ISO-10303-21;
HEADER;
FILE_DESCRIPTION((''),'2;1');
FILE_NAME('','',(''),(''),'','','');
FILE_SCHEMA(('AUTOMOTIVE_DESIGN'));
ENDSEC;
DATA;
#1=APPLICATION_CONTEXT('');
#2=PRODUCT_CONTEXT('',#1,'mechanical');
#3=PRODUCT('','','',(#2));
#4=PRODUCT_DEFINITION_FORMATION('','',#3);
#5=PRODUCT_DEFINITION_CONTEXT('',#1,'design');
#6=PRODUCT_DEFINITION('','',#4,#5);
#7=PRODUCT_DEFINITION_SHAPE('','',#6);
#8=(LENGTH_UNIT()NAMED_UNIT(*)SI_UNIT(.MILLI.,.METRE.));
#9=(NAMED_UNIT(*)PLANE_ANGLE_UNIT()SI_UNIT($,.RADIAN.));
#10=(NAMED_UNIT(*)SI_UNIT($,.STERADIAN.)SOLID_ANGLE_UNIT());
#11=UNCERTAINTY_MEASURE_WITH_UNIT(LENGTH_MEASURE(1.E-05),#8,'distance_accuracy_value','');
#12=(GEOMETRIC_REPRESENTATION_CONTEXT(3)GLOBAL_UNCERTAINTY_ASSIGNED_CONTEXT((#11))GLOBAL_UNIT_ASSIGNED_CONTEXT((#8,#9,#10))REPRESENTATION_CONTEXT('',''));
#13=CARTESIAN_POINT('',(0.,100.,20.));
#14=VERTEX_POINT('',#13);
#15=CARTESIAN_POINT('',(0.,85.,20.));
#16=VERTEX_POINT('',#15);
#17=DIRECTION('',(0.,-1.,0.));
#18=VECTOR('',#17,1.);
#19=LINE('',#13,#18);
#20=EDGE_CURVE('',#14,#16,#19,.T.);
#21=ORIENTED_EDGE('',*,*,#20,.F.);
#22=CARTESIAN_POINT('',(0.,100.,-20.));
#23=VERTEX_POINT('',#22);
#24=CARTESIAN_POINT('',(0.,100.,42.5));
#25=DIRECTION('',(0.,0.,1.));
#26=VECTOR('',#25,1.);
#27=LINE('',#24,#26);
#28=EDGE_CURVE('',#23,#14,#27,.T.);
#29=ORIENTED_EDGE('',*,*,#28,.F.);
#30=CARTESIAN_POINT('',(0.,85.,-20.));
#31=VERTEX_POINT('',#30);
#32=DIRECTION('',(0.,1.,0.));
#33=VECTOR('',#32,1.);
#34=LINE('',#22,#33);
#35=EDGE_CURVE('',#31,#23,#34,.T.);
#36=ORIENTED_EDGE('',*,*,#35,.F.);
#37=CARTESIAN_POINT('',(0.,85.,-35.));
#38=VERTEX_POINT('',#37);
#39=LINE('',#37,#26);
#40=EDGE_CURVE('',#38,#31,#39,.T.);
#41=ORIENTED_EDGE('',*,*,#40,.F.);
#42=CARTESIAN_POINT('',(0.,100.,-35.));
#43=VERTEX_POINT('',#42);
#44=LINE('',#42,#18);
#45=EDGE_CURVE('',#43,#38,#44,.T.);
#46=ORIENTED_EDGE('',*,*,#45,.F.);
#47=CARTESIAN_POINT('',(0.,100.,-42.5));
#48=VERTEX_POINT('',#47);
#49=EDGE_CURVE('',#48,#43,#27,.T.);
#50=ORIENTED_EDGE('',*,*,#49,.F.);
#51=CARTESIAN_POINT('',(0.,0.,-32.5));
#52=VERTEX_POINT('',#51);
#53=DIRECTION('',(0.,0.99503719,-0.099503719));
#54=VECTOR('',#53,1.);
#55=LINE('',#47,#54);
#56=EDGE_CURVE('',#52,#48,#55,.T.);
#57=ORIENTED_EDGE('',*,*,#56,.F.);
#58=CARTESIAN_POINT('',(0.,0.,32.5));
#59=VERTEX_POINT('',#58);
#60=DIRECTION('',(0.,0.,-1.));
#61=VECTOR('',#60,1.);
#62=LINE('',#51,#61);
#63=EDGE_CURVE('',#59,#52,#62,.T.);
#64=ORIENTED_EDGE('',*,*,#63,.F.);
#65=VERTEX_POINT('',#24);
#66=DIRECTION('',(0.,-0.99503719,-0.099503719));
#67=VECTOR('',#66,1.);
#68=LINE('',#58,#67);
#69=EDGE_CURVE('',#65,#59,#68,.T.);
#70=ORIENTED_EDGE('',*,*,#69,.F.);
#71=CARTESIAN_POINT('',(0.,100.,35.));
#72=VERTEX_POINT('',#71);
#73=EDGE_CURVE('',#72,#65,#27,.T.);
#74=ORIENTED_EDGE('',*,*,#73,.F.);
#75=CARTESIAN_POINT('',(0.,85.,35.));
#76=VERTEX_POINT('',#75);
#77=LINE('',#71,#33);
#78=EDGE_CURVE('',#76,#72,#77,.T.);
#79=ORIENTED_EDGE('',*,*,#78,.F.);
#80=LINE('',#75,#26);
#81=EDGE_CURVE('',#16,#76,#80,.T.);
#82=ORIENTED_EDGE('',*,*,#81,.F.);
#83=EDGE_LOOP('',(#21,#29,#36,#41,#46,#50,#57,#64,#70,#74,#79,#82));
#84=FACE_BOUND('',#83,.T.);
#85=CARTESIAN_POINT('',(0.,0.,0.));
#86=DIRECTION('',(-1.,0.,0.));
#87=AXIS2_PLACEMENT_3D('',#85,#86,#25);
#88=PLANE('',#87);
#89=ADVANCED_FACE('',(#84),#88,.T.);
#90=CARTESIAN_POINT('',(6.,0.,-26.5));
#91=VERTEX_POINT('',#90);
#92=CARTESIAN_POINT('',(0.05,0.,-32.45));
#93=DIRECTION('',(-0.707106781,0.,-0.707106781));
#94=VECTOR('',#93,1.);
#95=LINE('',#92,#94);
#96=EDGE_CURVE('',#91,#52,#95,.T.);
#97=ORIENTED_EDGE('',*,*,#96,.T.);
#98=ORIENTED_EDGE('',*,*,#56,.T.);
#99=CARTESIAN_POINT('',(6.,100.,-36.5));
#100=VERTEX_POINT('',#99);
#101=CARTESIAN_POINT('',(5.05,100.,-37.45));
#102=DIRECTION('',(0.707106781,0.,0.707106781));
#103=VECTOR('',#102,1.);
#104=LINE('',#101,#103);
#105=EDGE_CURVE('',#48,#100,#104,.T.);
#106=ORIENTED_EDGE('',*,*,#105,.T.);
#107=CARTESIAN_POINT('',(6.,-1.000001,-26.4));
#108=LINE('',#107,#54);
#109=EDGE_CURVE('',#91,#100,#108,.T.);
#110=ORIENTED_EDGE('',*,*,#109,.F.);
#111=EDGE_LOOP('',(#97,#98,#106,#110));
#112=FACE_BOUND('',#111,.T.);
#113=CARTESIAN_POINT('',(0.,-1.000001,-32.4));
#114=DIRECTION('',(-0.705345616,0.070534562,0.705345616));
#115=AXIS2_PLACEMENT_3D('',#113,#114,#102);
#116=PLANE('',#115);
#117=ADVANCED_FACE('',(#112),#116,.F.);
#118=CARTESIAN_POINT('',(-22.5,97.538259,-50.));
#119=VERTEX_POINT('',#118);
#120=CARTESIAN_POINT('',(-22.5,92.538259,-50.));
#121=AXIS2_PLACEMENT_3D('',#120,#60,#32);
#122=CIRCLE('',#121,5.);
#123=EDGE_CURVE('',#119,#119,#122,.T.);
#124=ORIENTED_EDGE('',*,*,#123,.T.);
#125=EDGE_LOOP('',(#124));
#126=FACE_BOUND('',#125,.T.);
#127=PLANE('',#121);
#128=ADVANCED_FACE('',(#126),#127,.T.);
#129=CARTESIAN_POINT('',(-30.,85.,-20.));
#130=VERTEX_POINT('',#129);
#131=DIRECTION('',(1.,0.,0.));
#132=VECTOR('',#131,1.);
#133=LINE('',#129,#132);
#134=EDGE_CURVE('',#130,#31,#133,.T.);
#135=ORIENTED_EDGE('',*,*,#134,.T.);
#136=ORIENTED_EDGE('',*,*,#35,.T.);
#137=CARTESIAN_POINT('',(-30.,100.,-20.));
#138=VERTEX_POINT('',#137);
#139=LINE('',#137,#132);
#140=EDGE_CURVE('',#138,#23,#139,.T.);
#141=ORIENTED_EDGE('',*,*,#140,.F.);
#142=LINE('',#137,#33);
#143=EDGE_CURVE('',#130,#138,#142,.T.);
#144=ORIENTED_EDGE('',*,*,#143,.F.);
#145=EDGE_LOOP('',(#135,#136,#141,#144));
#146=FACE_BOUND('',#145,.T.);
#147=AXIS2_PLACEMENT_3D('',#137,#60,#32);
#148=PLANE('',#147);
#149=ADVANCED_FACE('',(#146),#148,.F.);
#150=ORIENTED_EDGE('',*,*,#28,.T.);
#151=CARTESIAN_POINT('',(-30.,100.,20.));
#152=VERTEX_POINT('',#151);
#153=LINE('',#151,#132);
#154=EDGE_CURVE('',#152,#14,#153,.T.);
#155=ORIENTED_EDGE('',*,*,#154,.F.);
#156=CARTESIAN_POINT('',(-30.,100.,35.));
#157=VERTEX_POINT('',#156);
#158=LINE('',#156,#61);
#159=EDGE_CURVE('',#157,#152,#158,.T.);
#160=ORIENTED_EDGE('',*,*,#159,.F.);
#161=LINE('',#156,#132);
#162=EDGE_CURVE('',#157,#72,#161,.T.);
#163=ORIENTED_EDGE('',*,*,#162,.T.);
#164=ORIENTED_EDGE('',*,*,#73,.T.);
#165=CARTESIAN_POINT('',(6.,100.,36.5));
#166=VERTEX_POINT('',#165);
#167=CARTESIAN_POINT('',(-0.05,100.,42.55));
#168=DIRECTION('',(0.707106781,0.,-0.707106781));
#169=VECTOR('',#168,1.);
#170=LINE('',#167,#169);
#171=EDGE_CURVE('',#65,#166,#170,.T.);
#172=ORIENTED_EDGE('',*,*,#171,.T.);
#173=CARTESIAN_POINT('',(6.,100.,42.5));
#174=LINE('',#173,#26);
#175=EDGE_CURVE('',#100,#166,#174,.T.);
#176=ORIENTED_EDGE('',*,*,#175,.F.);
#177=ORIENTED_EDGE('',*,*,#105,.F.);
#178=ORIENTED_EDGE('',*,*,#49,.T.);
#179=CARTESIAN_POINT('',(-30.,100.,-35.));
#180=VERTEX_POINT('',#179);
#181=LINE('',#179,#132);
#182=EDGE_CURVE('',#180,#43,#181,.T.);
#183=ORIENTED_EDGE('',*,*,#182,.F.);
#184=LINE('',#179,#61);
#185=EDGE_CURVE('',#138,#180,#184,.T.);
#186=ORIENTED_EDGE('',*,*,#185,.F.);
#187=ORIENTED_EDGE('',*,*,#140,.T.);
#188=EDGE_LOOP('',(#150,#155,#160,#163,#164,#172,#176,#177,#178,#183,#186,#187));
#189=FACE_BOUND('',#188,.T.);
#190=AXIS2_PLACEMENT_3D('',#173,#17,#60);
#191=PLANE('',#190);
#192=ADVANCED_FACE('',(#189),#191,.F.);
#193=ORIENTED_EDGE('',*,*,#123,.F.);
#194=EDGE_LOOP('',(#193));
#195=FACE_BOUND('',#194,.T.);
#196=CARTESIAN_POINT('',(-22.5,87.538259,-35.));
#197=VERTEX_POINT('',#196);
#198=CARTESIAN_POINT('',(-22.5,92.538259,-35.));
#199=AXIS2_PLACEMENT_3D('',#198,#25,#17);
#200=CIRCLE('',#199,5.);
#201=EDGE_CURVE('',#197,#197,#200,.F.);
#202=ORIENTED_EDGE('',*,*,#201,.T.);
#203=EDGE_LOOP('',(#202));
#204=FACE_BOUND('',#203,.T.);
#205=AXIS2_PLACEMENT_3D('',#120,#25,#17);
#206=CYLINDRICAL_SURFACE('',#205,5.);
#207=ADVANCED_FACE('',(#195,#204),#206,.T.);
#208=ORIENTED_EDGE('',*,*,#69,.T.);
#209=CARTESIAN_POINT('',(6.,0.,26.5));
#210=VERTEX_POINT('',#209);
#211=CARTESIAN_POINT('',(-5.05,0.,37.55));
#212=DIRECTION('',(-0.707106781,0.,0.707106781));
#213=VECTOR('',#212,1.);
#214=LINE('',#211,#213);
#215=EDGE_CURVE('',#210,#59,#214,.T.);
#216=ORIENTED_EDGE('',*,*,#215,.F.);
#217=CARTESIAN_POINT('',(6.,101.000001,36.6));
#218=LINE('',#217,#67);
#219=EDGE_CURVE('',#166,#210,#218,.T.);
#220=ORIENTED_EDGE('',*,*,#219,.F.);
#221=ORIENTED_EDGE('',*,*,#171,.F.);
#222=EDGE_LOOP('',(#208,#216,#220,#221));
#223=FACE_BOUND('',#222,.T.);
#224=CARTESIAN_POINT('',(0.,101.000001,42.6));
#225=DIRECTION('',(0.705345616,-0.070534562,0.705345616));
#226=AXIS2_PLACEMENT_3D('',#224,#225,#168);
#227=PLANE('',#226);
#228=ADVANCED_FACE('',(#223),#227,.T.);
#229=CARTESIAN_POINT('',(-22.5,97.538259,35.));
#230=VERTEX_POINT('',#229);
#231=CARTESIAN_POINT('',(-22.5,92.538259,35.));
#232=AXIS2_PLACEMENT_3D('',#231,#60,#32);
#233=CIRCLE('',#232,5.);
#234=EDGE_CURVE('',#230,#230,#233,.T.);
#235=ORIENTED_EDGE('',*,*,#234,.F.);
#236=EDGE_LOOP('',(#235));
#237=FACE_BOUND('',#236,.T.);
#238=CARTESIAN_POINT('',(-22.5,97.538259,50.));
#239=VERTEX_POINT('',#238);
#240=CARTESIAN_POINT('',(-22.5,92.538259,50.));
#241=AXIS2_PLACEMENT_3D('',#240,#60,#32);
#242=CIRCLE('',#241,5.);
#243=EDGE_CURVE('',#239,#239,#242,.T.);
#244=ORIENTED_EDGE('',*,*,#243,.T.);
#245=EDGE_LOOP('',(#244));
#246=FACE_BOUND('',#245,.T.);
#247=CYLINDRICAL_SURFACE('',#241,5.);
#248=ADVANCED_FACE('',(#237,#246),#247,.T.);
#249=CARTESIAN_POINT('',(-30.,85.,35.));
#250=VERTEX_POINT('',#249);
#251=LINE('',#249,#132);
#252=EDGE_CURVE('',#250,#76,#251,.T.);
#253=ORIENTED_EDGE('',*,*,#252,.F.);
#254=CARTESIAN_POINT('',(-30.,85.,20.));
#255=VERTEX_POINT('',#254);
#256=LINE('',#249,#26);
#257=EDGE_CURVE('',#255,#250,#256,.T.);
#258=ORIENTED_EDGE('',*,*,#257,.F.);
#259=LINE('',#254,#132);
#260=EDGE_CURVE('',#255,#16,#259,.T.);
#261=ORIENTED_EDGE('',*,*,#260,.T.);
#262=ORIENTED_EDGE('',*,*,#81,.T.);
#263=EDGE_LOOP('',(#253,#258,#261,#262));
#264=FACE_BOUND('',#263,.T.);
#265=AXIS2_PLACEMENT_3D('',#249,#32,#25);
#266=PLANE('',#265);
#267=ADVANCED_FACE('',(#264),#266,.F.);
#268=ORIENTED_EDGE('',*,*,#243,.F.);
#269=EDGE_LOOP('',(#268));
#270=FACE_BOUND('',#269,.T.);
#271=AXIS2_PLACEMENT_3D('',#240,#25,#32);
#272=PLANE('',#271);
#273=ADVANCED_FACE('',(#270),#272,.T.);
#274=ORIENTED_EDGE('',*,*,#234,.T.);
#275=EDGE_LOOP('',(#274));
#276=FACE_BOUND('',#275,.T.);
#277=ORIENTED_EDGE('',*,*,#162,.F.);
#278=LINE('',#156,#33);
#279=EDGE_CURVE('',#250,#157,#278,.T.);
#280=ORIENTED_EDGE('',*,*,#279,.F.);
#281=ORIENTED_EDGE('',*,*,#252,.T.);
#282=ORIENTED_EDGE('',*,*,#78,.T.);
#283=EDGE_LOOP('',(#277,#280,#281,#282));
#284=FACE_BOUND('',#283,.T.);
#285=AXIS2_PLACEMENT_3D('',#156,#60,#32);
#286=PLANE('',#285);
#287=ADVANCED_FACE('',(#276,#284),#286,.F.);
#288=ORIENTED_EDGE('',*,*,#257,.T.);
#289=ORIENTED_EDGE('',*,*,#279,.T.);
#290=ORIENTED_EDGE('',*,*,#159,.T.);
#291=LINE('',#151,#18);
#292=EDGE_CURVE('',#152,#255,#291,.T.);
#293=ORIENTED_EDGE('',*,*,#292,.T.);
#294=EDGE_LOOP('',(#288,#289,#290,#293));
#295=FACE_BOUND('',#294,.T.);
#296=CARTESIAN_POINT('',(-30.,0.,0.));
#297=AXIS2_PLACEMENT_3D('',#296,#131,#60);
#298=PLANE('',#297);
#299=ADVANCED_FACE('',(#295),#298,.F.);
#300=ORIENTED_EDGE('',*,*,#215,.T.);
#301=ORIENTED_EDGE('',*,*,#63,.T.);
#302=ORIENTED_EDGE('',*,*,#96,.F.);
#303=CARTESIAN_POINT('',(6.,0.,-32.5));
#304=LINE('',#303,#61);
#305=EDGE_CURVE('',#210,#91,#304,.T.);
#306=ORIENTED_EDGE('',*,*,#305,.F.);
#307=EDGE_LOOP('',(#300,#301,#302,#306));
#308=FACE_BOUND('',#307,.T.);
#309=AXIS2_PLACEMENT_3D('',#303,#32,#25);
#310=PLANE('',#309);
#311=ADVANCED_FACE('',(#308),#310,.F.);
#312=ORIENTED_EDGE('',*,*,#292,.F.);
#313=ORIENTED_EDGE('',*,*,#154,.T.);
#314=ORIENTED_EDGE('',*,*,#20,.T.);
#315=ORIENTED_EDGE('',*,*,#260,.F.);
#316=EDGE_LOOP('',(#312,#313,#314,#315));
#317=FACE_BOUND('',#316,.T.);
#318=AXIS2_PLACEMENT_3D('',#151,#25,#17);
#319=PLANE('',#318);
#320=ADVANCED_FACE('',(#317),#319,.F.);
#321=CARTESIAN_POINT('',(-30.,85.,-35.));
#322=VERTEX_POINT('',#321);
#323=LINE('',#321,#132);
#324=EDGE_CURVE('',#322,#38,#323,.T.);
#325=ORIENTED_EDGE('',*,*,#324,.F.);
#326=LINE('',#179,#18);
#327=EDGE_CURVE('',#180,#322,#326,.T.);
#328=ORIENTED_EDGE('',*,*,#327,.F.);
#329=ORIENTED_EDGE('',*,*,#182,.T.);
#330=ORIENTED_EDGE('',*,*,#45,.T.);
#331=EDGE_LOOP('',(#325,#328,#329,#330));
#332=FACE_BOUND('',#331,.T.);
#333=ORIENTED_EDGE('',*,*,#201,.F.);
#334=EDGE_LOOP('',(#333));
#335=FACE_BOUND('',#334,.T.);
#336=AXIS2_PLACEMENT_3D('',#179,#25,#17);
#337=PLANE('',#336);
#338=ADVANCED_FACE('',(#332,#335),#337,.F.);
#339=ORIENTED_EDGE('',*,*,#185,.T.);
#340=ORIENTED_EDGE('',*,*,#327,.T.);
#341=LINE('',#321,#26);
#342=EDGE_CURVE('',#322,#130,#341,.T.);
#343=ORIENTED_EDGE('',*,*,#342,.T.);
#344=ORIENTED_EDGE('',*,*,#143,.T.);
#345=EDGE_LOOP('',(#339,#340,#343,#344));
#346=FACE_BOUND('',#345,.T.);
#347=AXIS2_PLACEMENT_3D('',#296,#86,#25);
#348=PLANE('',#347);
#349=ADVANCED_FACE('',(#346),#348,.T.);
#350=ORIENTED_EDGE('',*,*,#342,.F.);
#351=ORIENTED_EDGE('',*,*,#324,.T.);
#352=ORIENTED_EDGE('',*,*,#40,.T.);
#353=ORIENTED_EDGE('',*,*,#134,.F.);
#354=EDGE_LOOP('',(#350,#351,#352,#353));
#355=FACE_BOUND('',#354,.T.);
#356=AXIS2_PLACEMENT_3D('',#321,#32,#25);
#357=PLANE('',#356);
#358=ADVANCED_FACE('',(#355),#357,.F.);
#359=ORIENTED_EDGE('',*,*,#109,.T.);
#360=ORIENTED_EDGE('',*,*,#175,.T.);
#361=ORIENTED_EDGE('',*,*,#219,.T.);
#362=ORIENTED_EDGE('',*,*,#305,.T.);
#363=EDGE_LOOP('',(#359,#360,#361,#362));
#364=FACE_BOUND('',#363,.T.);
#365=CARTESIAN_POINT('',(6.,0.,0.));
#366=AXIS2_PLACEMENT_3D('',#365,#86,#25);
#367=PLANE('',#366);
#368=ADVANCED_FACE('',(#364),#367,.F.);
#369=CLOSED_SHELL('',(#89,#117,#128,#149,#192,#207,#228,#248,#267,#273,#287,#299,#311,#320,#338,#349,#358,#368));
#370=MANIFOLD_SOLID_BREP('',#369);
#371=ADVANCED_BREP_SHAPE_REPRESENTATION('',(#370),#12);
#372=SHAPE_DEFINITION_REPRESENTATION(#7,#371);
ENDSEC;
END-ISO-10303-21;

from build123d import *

# Parameters (mm, degrees)
SALIENTE_EXTRUIR1_DEPTH = 6
CROQUIS3_W              = 15
CROQUIS3_H              = 15
SALIENTE_EXTRUIR2_DEPTH = 30
CROQUIS4_R              = 5
SALIENTE_EXTRUIR3_DEPTH = 15


with BuildPart() as part:
    # Croquis1 → Saliente-Extruir1 (new body)
    with BuildSketch(Plane(origin=(0, 0, 0), x_dir=(0, 0, -1), z_dir=(1, 0, 0))):
        Polygon((32.5, 0), (-32.5, 0), (-42.5, 100), (42.5, 100), align=None)
    extrude(amount=SALIENTE_EXTRUIR1_DEPTH)

    # Croquis3 → Saliente-Extruir2 (add)
    with BuildSketch(Plane.ZY):
        with Locations((-27.5, 92.5)):
            Rectangle(CROQUIS3_W, CROQUIS3_H)
        with Locations((27.5, 92.5)):
            Rectangle(CROQUIS3_W, CROQUIS3_H)
    extrude(amount=SALIENTE_EXTRUIR2_DEPTH)

    # Croquis4 → Saliente-Extruir3 (add)
    with BuildSketch(Plane(origin=(0, 0, -35), x_dir=(-1, 0, 0), z_dir=(0, 0, -1))):
        with Locations(Location((22.5, 92.538258804, 0), (0, 0, 270))):
            Circle(CROQUIS4_R)
    saliente_extruir3 = extrude(amount=SALIENTE_EXTRUIR3_DEPTH)

    # Simetría1: Saliente-Extruir3 across plane
    add(saliente_extruir3.mirror(Plane.XY))

    # Cortar-Barrer1: sweep along a curve in space
    with BuildLine() as cortar_barrer1_path:
        Line((6, 100, 42.5), (6, 0, 32.5))
    # Croquis7 → Cortar-Barrer1 (sweep, cut)
    with BuildSketch(Plane(origin=(0, 100, 0), x_dir=(1, 0, 0), z_dir=(0, 1, 0))):
        Polygon((0, -42.5), (6, -36.5), (6, -42.5), align=None)
    sweep(path=cortar_barrer1_path.line, mode=Mode.SUBTRACT)

    # Cortar-Barrer2: sweep along a curve in space
    with BuildLine() as cortar_barrer2_path:
        Line((6, 0, -32.5), (6, 100, -42.5))
    # Croquis8 → Cortar-Barrer2 (sweep, cut)
    with BuildSketch(Plane(origin=(0, 100, 0), x_dir=(1, 0, 0), z_dir=(0, 1, 0))):
        Polygon((0, 42.5), (6, 36.5), (6, 42.5), align=None)
    sweep(path=cortar_barrer2_path.line, mode=Mode.SUBTRACT)


solid = part.part
